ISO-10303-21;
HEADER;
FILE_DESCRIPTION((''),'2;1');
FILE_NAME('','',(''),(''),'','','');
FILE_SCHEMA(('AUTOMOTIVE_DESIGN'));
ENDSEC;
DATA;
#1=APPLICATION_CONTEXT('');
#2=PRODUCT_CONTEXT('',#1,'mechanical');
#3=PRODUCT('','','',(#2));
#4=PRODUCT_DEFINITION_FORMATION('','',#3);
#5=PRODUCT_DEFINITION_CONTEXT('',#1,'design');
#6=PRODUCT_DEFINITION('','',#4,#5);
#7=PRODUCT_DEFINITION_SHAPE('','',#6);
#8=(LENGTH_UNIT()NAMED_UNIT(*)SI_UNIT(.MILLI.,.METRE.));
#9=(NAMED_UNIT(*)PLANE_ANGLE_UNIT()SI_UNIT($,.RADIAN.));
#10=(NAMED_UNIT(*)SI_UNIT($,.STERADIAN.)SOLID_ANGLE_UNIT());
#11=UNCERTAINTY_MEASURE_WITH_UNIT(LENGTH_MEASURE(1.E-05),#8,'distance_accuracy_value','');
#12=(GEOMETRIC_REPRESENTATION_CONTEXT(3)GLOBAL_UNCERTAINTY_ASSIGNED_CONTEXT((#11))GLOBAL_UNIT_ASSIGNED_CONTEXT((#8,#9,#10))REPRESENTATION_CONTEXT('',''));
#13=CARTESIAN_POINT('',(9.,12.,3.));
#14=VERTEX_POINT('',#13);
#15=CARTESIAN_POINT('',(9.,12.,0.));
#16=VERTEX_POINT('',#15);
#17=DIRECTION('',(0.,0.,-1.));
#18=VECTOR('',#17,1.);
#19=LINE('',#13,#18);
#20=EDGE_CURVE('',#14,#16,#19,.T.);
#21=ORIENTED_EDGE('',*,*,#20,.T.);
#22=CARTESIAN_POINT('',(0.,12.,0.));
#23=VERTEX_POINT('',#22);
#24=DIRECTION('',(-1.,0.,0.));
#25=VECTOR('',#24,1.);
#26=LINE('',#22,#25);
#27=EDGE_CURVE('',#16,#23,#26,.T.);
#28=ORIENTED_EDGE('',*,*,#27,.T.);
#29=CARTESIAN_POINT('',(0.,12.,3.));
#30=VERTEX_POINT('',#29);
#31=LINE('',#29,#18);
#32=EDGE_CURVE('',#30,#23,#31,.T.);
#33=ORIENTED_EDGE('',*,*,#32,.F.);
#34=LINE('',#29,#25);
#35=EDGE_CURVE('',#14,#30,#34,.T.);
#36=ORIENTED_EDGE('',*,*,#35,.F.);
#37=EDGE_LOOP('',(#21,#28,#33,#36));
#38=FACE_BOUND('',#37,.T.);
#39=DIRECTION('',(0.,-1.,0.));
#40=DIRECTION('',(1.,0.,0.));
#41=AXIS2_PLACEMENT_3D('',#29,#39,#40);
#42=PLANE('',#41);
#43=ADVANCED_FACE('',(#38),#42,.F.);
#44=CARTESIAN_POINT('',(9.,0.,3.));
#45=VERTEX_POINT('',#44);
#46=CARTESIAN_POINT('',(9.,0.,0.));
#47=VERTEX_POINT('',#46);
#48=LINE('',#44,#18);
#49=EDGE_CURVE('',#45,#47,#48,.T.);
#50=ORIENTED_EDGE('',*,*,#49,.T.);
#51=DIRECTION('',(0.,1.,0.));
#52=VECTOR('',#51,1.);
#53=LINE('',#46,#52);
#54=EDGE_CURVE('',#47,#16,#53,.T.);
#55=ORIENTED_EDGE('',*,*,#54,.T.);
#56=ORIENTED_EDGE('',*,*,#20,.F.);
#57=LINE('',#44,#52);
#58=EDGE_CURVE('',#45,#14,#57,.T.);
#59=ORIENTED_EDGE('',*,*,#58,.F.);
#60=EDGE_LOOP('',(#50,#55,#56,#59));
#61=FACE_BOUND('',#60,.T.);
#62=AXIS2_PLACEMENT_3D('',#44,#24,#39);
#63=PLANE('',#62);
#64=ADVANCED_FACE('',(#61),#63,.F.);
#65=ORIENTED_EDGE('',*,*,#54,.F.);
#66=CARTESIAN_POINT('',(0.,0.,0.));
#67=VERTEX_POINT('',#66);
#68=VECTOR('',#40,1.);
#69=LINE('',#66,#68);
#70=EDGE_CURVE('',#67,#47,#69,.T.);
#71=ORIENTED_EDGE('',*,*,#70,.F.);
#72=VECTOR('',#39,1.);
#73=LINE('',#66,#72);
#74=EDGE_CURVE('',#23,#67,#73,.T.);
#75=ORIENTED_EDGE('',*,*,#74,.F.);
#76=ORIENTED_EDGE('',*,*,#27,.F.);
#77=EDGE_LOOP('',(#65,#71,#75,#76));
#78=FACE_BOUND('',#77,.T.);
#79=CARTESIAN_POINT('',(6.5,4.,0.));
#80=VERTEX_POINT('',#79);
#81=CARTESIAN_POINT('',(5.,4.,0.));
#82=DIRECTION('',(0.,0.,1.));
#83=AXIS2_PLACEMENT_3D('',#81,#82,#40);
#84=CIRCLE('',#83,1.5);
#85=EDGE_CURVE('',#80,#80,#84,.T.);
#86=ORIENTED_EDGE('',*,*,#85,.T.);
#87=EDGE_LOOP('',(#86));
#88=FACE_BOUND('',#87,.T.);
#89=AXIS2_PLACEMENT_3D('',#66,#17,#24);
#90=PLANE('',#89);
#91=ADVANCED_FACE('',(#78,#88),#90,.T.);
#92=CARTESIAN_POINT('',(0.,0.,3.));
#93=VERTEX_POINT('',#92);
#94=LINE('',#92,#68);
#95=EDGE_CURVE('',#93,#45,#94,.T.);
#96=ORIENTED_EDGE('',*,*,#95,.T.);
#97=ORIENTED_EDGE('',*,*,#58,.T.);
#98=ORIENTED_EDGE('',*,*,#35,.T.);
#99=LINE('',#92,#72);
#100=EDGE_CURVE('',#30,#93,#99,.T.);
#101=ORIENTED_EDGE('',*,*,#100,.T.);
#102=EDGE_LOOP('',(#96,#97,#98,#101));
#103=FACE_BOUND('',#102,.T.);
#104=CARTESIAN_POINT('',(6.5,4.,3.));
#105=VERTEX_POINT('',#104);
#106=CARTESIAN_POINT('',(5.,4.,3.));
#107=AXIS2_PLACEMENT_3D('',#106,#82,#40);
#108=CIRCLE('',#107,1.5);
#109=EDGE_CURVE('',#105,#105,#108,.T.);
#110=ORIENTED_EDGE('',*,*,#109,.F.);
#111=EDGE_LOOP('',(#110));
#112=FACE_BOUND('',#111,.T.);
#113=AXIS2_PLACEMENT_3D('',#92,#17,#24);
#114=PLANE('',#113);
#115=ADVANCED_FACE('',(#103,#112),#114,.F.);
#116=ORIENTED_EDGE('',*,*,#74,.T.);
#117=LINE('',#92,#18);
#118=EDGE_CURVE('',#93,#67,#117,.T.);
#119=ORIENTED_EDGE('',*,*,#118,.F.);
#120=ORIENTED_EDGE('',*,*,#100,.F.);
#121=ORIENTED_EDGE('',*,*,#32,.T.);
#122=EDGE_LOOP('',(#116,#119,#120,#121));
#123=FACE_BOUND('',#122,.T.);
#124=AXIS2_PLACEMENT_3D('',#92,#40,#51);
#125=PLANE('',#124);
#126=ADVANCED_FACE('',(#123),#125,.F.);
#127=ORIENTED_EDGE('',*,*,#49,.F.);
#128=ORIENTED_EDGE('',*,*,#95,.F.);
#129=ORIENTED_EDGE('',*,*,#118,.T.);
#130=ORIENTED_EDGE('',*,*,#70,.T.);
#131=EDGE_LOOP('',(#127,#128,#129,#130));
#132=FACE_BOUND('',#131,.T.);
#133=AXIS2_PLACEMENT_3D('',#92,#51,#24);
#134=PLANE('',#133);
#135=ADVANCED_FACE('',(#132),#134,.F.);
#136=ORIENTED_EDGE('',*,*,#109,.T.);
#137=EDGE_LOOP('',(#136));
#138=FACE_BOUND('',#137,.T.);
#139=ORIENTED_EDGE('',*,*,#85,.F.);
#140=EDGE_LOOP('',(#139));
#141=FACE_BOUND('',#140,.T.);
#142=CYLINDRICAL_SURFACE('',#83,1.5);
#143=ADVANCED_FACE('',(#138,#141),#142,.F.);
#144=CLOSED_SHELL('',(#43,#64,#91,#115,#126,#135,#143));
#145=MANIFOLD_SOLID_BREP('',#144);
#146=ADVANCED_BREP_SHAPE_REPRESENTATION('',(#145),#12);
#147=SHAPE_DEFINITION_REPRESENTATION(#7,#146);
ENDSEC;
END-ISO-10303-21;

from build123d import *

# Parameters (mm, degrees)
SKETCH_1_W          = 9
SKETCH_1_H          = 12
EXTRUDE_1_DEPTH     = 3
SKETCH_2_R          = 1.5
CUT_EXTRUDE_1_DEPTH = 16.297058541


with BuildPart() as part:
    # Эскиз1 → Бобышка-Вытянуть1 (new body)
    with BuildSketch(Plane.XY):
        with Locations((4.5, 6)):
            Rectangle(SKETCH_1_W, SKETCH_1_H)
    extrude(amount=EXTRUDE_1_DEPTH)

    # Эскиз2 → Вырез-Вытянуть1 (cut, through all)
    with BuildSketch(Plane.XY.offset(3)):
        with Locations((5, 4)):
            Circle(SKETCH_2_R)
    extrude(amount=-CUT_EXTRUDE_1_DEPTH, mode=Mode.SUBTRACT)


solid = part.part
